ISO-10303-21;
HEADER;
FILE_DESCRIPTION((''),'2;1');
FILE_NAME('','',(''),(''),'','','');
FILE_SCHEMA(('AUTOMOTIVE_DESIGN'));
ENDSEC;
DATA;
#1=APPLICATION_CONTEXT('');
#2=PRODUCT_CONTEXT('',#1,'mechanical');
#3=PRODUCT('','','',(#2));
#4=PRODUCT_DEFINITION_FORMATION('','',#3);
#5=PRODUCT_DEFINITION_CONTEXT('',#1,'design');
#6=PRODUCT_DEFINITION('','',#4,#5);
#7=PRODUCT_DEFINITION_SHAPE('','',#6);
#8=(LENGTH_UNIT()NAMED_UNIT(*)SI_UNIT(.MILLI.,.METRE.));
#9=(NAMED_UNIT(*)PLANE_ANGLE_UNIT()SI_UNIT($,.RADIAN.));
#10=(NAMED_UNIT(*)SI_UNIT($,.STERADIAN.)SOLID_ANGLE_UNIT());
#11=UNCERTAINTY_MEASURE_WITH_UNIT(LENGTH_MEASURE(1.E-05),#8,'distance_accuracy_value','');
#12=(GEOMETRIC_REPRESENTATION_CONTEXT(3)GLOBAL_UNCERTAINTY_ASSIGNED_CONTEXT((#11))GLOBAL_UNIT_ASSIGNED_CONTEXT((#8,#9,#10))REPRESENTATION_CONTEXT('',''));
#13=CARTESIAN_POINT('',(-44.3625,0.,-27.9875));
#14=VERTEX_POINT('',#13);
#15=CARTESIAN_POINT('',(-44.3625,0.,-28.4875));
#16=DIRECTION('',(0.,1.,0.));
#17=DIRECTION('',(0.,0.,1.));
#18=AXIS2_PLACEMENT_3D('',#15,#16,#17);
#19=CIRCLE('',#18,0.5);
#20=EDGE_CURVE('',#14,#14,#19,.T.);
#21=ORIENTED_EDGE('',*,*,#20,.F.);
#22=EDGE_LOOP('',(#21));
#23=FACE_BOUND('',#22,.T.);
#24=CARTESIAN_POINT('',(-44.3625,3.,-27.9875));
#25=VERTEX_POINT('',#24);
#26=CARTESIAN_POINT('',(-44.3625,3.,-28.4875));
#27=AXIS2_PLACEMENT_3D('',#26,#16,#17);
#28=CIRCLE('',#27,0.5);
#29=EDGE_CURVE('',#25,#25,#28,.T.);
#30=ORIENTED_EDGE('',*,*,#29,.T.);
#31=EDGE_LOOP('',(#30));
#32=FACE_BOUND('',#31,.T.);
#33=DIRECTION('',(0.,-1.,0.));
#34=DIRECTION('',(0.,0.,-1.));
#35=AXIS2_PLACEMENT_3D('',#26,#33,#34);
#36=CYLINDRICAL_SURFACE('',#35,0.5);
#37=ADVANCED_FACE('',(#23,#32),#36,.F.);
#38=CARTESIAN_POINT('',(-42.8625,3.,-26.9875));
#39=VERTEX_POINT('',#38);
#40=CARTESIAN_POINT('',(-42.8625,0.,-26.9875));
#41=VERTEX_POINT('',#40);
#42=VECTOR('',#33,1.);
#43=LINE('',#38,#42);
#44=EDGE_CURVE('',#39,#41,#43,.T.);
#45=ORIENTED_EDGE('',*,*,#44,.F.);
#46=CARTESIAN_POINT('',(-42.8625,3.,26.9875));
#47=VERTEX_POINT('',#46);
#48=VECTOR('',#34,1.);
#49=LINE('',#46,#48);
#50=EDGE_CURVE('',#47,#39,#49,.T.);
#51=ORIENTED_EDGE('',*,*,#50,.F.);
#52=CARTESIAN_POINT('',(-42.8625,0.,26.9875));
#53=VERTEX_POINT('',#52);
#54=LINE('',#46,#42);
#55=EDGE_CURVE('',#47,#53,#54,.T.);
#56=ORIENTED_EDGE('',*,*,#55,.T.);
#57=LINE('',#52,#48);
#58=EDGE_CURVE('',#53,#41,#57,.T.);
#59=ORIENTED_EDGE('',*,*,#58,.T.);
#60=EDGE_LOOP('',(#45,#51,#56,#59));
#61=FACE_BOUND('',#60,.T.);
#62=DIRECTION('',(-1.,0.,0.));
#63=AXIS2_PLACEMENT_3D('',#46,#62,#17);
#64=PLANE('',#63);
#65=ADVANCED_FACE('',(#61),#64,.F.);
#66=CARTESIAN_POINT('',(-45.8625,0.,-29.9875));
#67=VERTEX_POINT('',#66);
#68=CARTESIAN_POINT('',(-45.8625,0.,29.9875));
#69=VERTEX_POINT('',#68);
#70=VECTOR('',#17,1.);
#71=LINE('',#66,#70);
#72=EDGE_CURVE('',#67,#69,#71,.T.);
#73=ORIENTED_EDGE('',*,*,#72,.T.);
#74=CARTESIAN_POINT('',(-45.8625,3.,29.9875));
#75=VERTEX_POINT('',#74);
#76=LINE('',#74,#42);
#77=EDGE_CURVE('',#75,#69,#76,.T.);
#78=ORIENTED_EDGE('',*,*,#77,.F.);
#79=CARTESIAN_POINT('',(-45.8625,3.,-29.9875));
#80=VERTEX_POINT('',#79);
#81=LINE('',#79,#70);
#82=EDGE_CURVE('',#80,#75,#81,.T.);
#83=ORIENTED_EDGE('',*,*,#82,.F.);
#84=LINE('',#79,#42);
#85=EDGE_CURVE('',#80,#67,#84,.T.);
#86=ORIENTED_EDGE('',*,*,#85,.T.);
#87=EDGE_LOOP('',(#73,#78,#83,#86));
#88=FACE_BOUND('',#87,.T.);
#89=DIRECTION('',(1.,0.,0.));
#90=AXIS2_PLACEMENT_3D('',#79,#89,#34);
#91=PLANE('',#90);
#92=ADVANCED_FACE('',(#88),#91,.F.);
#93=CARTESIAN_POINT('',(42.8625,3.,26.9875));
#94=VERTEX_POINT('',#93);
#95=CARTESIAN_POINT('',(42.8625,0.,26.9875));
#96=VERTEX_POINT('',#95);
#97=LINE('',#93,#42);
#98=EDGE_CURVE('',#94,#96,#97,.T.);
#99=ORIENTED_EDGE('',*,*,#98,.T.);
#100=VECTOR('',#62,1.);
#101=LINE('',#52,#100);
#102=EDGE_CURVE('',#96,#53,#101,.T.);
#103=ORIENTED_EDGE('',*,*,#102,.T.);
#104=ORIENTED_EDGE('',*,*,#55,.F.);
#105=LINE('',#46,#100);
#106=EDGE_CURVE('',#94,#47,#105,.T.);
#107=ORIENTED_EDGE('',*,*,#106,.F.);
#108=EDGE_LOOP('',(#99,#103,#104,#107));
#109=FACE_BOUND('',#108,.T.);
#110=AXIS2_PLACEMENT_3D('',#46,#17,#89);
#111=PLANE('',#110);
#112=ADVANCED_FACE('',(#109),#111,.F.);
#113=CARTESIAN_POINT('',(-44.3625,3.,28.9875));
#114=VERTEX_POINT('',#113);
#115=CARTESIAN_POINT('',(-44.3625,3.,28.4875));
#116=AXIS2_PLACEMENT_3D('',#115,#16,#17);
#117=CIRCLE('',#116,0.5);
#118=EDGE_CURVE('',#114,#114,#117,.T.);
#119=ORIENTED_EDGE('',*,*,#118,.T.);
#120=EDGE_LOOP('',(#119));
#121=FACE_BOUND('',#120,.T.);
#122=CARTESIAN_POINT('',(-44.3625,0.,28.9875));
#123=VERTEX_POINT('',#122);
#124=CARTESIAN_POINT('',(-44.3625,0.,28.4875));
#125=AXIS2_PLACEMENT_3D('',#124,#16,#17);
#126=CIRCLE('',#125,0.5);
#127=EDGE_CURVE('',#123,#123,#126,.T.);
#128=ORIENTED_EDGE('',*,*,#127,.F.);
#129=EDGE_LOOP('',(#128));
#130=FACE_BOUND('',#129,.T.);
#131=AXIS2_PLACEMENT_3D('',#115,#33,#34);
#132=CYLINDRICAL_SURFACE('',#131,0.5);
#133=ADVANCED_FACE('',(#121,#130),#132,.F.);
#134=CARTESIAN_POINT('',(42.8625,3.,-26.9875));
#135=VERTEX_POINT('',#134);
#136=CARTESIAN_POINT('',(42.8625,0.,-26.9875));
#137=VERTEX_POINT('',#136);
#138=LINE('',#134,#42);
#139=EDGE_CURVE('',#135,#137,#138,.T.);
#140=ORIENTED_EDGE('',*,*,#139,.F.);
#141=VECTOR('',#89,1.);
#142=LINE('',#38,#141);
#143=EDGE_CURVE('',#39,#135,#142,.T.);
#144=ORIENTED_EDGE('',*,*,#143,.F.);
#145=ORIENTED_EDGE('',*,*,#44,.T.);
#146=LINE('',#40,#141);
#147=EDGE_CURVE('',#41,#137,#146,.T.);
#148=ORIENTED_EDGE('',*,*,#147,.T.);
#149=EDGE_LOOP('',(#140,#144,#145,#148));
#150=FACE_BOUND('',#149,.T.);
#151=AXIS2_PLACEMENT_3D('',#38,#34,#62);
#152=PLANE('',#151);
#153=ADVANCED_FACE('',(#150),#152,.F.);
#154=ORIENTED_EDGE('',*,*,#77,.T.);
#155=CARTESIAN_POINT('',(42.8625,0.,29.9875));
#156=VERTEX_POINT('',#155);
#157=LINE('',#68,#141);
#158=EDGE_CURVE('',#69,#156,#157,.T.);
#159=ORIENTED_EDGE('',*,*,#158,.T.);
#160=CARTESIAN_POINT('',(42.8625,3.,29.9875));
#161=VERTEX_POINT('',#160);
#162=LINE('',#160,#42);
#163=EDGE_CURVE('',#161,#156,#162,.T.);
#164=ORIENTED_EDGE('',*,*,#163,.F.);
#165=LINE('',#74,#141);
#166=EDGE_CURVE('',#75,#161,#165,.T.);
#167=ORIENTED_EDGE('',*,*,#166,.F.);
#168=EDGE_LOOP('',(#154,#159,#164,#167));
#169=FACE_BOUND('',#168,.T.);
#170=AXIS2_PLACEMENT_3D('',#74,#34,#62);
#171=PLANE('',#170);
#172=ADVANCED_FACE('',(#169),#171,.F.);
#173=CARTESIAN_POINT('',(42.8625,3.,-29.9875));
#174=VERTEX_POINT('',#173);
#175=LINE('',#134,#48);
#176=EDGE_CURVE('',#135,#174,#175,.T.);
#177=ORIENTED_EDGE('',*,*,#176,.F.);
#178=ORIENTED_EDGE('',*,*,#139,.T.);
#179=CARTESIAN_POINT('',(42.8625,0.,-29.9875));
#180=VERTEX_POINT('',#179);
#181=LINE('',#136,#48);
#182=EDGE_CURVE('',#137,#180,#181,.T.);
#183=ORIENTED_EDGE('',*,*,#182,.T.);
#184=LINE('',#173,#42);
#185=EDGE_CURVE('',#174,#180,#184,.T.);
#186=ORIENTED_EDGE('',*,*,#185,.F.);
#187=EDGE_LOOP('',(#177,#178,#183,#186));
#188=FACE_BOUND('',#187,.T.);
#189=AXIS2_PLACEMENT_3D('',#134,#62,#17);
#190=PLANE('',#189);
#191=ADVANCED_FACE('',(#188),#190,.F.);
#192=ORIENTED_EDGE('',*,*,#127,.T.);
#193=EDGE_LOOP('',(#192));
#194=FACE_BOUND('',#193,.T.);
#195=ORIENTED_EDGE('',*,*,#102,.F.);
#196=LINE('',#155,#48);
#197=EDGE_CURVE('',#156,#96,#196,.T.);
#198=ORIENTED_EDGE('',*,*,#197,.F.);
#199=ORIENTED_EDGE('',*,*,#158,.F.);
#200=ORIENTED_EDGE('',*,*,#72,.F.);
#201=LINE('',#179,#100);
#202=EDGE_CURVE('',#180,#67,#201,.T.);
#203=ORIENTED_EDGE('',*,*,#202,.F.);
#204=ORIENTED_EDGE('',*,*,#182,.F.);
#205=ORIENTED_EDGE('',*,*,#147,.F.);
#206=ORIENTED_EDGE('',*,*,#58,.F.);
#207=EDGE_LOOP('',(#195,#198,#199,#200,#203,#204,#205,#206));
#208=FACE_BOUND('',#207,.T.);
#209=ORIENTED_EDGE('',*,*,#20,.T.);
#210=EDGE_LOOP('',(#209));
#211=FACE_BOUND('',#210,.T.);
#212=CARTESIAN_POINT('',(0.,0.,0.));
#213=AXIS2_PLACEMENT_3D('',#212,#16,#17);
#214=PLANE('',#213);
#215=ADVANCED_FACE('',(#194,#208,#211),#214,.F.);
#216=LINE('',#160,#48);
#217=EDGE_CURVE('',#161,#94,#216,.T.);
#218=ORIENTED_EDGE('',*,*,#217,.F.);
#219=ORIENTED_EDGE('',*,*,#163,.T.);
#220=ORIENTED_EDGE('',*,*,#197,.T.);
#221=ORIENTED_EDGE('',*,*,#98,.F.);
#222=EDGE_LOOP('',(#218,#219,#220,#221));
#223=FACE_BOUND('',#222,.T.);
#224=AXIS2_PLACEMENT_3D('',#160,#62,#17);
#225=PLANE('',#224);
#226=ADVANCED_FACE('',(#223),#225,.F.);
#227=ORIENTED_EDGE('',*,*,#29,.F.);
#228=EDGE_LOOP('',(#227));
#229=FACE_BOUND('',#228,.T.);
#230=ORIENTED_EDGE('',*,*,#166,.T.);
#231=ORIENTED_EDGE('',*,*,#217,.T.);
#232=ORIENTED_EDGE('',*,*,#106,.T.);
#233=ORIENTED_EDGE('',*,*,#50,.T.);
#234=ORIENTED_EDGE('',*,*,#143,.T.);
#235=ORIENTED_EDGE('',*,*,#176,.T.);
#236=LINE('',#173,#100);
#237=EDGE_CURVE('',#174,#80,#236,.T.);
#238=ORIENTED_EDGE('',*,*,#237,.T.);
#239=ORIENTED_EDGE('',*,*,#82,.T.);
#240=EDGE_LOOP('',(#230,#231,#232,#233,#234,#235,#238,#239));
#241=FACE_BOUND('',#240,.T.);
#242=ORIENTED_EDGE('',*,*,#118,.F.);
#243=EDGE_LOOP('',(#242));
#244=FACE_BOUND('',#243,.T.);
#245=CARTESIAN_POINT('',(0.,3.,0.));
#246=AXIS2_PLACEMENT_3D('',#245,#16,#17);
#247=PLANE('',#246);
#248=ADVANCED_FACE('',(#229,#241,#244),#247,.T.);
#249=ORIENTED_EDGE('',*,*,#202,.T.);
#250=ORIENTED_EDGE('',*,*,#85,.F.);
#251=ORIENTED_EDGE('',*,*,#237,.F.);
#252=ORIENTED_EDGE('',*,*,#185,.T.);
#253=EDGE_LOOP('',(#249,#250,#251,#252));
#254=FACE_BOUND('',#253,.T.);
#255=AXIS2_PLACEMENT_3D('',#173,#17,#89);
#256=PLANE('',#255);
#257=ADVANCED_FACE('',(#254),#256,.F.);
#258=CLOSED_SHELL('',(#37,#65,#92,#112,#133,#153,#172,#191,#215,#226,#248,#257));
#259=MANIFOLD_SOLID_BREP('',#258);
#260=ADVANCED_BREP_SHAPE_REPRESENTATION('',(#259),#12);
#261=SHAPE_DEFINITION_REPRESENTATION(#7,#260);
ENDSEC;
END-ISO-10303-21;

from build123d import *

# Parameters (mm, degrees)
SKETCH1_R           = 0.5
BOSS_EXTRUDE1_DEPTH = 3


with BuildPart() as part:
    # Sketch1 → Boss-Extrude1 (new body)
    with BuildSketch(Plane(origin=(0, 0, 0), x_dir=(1, 0, 0), z_dir=(0, 1, 0))):
        Polygon((42.8625, 26.9875), (42.8625, 29.9875), (-45.8625, 29.9875), (-45.8625, -29.9875), (42.8625, -29.9875), (42.8625, -26.9875), (-42.8625, -26.9875), (-42.8625, 26.9875), align=None)
        with Locations(Location((-44.3625, 28.4875, 0), (0, 0, 270))):
            Circle(SKETCH1_R, mode=Mode.SUBTRACT)
        with Locations(Location((-44.3625, -28.4875, 0), (0, 0, 270))):
            Circle(SKETCH1_R, mode=Mode.SUBTRACT)
    extrude(amount=BOSS_EXTRUDE1_DEPTH)


solid = part.part
